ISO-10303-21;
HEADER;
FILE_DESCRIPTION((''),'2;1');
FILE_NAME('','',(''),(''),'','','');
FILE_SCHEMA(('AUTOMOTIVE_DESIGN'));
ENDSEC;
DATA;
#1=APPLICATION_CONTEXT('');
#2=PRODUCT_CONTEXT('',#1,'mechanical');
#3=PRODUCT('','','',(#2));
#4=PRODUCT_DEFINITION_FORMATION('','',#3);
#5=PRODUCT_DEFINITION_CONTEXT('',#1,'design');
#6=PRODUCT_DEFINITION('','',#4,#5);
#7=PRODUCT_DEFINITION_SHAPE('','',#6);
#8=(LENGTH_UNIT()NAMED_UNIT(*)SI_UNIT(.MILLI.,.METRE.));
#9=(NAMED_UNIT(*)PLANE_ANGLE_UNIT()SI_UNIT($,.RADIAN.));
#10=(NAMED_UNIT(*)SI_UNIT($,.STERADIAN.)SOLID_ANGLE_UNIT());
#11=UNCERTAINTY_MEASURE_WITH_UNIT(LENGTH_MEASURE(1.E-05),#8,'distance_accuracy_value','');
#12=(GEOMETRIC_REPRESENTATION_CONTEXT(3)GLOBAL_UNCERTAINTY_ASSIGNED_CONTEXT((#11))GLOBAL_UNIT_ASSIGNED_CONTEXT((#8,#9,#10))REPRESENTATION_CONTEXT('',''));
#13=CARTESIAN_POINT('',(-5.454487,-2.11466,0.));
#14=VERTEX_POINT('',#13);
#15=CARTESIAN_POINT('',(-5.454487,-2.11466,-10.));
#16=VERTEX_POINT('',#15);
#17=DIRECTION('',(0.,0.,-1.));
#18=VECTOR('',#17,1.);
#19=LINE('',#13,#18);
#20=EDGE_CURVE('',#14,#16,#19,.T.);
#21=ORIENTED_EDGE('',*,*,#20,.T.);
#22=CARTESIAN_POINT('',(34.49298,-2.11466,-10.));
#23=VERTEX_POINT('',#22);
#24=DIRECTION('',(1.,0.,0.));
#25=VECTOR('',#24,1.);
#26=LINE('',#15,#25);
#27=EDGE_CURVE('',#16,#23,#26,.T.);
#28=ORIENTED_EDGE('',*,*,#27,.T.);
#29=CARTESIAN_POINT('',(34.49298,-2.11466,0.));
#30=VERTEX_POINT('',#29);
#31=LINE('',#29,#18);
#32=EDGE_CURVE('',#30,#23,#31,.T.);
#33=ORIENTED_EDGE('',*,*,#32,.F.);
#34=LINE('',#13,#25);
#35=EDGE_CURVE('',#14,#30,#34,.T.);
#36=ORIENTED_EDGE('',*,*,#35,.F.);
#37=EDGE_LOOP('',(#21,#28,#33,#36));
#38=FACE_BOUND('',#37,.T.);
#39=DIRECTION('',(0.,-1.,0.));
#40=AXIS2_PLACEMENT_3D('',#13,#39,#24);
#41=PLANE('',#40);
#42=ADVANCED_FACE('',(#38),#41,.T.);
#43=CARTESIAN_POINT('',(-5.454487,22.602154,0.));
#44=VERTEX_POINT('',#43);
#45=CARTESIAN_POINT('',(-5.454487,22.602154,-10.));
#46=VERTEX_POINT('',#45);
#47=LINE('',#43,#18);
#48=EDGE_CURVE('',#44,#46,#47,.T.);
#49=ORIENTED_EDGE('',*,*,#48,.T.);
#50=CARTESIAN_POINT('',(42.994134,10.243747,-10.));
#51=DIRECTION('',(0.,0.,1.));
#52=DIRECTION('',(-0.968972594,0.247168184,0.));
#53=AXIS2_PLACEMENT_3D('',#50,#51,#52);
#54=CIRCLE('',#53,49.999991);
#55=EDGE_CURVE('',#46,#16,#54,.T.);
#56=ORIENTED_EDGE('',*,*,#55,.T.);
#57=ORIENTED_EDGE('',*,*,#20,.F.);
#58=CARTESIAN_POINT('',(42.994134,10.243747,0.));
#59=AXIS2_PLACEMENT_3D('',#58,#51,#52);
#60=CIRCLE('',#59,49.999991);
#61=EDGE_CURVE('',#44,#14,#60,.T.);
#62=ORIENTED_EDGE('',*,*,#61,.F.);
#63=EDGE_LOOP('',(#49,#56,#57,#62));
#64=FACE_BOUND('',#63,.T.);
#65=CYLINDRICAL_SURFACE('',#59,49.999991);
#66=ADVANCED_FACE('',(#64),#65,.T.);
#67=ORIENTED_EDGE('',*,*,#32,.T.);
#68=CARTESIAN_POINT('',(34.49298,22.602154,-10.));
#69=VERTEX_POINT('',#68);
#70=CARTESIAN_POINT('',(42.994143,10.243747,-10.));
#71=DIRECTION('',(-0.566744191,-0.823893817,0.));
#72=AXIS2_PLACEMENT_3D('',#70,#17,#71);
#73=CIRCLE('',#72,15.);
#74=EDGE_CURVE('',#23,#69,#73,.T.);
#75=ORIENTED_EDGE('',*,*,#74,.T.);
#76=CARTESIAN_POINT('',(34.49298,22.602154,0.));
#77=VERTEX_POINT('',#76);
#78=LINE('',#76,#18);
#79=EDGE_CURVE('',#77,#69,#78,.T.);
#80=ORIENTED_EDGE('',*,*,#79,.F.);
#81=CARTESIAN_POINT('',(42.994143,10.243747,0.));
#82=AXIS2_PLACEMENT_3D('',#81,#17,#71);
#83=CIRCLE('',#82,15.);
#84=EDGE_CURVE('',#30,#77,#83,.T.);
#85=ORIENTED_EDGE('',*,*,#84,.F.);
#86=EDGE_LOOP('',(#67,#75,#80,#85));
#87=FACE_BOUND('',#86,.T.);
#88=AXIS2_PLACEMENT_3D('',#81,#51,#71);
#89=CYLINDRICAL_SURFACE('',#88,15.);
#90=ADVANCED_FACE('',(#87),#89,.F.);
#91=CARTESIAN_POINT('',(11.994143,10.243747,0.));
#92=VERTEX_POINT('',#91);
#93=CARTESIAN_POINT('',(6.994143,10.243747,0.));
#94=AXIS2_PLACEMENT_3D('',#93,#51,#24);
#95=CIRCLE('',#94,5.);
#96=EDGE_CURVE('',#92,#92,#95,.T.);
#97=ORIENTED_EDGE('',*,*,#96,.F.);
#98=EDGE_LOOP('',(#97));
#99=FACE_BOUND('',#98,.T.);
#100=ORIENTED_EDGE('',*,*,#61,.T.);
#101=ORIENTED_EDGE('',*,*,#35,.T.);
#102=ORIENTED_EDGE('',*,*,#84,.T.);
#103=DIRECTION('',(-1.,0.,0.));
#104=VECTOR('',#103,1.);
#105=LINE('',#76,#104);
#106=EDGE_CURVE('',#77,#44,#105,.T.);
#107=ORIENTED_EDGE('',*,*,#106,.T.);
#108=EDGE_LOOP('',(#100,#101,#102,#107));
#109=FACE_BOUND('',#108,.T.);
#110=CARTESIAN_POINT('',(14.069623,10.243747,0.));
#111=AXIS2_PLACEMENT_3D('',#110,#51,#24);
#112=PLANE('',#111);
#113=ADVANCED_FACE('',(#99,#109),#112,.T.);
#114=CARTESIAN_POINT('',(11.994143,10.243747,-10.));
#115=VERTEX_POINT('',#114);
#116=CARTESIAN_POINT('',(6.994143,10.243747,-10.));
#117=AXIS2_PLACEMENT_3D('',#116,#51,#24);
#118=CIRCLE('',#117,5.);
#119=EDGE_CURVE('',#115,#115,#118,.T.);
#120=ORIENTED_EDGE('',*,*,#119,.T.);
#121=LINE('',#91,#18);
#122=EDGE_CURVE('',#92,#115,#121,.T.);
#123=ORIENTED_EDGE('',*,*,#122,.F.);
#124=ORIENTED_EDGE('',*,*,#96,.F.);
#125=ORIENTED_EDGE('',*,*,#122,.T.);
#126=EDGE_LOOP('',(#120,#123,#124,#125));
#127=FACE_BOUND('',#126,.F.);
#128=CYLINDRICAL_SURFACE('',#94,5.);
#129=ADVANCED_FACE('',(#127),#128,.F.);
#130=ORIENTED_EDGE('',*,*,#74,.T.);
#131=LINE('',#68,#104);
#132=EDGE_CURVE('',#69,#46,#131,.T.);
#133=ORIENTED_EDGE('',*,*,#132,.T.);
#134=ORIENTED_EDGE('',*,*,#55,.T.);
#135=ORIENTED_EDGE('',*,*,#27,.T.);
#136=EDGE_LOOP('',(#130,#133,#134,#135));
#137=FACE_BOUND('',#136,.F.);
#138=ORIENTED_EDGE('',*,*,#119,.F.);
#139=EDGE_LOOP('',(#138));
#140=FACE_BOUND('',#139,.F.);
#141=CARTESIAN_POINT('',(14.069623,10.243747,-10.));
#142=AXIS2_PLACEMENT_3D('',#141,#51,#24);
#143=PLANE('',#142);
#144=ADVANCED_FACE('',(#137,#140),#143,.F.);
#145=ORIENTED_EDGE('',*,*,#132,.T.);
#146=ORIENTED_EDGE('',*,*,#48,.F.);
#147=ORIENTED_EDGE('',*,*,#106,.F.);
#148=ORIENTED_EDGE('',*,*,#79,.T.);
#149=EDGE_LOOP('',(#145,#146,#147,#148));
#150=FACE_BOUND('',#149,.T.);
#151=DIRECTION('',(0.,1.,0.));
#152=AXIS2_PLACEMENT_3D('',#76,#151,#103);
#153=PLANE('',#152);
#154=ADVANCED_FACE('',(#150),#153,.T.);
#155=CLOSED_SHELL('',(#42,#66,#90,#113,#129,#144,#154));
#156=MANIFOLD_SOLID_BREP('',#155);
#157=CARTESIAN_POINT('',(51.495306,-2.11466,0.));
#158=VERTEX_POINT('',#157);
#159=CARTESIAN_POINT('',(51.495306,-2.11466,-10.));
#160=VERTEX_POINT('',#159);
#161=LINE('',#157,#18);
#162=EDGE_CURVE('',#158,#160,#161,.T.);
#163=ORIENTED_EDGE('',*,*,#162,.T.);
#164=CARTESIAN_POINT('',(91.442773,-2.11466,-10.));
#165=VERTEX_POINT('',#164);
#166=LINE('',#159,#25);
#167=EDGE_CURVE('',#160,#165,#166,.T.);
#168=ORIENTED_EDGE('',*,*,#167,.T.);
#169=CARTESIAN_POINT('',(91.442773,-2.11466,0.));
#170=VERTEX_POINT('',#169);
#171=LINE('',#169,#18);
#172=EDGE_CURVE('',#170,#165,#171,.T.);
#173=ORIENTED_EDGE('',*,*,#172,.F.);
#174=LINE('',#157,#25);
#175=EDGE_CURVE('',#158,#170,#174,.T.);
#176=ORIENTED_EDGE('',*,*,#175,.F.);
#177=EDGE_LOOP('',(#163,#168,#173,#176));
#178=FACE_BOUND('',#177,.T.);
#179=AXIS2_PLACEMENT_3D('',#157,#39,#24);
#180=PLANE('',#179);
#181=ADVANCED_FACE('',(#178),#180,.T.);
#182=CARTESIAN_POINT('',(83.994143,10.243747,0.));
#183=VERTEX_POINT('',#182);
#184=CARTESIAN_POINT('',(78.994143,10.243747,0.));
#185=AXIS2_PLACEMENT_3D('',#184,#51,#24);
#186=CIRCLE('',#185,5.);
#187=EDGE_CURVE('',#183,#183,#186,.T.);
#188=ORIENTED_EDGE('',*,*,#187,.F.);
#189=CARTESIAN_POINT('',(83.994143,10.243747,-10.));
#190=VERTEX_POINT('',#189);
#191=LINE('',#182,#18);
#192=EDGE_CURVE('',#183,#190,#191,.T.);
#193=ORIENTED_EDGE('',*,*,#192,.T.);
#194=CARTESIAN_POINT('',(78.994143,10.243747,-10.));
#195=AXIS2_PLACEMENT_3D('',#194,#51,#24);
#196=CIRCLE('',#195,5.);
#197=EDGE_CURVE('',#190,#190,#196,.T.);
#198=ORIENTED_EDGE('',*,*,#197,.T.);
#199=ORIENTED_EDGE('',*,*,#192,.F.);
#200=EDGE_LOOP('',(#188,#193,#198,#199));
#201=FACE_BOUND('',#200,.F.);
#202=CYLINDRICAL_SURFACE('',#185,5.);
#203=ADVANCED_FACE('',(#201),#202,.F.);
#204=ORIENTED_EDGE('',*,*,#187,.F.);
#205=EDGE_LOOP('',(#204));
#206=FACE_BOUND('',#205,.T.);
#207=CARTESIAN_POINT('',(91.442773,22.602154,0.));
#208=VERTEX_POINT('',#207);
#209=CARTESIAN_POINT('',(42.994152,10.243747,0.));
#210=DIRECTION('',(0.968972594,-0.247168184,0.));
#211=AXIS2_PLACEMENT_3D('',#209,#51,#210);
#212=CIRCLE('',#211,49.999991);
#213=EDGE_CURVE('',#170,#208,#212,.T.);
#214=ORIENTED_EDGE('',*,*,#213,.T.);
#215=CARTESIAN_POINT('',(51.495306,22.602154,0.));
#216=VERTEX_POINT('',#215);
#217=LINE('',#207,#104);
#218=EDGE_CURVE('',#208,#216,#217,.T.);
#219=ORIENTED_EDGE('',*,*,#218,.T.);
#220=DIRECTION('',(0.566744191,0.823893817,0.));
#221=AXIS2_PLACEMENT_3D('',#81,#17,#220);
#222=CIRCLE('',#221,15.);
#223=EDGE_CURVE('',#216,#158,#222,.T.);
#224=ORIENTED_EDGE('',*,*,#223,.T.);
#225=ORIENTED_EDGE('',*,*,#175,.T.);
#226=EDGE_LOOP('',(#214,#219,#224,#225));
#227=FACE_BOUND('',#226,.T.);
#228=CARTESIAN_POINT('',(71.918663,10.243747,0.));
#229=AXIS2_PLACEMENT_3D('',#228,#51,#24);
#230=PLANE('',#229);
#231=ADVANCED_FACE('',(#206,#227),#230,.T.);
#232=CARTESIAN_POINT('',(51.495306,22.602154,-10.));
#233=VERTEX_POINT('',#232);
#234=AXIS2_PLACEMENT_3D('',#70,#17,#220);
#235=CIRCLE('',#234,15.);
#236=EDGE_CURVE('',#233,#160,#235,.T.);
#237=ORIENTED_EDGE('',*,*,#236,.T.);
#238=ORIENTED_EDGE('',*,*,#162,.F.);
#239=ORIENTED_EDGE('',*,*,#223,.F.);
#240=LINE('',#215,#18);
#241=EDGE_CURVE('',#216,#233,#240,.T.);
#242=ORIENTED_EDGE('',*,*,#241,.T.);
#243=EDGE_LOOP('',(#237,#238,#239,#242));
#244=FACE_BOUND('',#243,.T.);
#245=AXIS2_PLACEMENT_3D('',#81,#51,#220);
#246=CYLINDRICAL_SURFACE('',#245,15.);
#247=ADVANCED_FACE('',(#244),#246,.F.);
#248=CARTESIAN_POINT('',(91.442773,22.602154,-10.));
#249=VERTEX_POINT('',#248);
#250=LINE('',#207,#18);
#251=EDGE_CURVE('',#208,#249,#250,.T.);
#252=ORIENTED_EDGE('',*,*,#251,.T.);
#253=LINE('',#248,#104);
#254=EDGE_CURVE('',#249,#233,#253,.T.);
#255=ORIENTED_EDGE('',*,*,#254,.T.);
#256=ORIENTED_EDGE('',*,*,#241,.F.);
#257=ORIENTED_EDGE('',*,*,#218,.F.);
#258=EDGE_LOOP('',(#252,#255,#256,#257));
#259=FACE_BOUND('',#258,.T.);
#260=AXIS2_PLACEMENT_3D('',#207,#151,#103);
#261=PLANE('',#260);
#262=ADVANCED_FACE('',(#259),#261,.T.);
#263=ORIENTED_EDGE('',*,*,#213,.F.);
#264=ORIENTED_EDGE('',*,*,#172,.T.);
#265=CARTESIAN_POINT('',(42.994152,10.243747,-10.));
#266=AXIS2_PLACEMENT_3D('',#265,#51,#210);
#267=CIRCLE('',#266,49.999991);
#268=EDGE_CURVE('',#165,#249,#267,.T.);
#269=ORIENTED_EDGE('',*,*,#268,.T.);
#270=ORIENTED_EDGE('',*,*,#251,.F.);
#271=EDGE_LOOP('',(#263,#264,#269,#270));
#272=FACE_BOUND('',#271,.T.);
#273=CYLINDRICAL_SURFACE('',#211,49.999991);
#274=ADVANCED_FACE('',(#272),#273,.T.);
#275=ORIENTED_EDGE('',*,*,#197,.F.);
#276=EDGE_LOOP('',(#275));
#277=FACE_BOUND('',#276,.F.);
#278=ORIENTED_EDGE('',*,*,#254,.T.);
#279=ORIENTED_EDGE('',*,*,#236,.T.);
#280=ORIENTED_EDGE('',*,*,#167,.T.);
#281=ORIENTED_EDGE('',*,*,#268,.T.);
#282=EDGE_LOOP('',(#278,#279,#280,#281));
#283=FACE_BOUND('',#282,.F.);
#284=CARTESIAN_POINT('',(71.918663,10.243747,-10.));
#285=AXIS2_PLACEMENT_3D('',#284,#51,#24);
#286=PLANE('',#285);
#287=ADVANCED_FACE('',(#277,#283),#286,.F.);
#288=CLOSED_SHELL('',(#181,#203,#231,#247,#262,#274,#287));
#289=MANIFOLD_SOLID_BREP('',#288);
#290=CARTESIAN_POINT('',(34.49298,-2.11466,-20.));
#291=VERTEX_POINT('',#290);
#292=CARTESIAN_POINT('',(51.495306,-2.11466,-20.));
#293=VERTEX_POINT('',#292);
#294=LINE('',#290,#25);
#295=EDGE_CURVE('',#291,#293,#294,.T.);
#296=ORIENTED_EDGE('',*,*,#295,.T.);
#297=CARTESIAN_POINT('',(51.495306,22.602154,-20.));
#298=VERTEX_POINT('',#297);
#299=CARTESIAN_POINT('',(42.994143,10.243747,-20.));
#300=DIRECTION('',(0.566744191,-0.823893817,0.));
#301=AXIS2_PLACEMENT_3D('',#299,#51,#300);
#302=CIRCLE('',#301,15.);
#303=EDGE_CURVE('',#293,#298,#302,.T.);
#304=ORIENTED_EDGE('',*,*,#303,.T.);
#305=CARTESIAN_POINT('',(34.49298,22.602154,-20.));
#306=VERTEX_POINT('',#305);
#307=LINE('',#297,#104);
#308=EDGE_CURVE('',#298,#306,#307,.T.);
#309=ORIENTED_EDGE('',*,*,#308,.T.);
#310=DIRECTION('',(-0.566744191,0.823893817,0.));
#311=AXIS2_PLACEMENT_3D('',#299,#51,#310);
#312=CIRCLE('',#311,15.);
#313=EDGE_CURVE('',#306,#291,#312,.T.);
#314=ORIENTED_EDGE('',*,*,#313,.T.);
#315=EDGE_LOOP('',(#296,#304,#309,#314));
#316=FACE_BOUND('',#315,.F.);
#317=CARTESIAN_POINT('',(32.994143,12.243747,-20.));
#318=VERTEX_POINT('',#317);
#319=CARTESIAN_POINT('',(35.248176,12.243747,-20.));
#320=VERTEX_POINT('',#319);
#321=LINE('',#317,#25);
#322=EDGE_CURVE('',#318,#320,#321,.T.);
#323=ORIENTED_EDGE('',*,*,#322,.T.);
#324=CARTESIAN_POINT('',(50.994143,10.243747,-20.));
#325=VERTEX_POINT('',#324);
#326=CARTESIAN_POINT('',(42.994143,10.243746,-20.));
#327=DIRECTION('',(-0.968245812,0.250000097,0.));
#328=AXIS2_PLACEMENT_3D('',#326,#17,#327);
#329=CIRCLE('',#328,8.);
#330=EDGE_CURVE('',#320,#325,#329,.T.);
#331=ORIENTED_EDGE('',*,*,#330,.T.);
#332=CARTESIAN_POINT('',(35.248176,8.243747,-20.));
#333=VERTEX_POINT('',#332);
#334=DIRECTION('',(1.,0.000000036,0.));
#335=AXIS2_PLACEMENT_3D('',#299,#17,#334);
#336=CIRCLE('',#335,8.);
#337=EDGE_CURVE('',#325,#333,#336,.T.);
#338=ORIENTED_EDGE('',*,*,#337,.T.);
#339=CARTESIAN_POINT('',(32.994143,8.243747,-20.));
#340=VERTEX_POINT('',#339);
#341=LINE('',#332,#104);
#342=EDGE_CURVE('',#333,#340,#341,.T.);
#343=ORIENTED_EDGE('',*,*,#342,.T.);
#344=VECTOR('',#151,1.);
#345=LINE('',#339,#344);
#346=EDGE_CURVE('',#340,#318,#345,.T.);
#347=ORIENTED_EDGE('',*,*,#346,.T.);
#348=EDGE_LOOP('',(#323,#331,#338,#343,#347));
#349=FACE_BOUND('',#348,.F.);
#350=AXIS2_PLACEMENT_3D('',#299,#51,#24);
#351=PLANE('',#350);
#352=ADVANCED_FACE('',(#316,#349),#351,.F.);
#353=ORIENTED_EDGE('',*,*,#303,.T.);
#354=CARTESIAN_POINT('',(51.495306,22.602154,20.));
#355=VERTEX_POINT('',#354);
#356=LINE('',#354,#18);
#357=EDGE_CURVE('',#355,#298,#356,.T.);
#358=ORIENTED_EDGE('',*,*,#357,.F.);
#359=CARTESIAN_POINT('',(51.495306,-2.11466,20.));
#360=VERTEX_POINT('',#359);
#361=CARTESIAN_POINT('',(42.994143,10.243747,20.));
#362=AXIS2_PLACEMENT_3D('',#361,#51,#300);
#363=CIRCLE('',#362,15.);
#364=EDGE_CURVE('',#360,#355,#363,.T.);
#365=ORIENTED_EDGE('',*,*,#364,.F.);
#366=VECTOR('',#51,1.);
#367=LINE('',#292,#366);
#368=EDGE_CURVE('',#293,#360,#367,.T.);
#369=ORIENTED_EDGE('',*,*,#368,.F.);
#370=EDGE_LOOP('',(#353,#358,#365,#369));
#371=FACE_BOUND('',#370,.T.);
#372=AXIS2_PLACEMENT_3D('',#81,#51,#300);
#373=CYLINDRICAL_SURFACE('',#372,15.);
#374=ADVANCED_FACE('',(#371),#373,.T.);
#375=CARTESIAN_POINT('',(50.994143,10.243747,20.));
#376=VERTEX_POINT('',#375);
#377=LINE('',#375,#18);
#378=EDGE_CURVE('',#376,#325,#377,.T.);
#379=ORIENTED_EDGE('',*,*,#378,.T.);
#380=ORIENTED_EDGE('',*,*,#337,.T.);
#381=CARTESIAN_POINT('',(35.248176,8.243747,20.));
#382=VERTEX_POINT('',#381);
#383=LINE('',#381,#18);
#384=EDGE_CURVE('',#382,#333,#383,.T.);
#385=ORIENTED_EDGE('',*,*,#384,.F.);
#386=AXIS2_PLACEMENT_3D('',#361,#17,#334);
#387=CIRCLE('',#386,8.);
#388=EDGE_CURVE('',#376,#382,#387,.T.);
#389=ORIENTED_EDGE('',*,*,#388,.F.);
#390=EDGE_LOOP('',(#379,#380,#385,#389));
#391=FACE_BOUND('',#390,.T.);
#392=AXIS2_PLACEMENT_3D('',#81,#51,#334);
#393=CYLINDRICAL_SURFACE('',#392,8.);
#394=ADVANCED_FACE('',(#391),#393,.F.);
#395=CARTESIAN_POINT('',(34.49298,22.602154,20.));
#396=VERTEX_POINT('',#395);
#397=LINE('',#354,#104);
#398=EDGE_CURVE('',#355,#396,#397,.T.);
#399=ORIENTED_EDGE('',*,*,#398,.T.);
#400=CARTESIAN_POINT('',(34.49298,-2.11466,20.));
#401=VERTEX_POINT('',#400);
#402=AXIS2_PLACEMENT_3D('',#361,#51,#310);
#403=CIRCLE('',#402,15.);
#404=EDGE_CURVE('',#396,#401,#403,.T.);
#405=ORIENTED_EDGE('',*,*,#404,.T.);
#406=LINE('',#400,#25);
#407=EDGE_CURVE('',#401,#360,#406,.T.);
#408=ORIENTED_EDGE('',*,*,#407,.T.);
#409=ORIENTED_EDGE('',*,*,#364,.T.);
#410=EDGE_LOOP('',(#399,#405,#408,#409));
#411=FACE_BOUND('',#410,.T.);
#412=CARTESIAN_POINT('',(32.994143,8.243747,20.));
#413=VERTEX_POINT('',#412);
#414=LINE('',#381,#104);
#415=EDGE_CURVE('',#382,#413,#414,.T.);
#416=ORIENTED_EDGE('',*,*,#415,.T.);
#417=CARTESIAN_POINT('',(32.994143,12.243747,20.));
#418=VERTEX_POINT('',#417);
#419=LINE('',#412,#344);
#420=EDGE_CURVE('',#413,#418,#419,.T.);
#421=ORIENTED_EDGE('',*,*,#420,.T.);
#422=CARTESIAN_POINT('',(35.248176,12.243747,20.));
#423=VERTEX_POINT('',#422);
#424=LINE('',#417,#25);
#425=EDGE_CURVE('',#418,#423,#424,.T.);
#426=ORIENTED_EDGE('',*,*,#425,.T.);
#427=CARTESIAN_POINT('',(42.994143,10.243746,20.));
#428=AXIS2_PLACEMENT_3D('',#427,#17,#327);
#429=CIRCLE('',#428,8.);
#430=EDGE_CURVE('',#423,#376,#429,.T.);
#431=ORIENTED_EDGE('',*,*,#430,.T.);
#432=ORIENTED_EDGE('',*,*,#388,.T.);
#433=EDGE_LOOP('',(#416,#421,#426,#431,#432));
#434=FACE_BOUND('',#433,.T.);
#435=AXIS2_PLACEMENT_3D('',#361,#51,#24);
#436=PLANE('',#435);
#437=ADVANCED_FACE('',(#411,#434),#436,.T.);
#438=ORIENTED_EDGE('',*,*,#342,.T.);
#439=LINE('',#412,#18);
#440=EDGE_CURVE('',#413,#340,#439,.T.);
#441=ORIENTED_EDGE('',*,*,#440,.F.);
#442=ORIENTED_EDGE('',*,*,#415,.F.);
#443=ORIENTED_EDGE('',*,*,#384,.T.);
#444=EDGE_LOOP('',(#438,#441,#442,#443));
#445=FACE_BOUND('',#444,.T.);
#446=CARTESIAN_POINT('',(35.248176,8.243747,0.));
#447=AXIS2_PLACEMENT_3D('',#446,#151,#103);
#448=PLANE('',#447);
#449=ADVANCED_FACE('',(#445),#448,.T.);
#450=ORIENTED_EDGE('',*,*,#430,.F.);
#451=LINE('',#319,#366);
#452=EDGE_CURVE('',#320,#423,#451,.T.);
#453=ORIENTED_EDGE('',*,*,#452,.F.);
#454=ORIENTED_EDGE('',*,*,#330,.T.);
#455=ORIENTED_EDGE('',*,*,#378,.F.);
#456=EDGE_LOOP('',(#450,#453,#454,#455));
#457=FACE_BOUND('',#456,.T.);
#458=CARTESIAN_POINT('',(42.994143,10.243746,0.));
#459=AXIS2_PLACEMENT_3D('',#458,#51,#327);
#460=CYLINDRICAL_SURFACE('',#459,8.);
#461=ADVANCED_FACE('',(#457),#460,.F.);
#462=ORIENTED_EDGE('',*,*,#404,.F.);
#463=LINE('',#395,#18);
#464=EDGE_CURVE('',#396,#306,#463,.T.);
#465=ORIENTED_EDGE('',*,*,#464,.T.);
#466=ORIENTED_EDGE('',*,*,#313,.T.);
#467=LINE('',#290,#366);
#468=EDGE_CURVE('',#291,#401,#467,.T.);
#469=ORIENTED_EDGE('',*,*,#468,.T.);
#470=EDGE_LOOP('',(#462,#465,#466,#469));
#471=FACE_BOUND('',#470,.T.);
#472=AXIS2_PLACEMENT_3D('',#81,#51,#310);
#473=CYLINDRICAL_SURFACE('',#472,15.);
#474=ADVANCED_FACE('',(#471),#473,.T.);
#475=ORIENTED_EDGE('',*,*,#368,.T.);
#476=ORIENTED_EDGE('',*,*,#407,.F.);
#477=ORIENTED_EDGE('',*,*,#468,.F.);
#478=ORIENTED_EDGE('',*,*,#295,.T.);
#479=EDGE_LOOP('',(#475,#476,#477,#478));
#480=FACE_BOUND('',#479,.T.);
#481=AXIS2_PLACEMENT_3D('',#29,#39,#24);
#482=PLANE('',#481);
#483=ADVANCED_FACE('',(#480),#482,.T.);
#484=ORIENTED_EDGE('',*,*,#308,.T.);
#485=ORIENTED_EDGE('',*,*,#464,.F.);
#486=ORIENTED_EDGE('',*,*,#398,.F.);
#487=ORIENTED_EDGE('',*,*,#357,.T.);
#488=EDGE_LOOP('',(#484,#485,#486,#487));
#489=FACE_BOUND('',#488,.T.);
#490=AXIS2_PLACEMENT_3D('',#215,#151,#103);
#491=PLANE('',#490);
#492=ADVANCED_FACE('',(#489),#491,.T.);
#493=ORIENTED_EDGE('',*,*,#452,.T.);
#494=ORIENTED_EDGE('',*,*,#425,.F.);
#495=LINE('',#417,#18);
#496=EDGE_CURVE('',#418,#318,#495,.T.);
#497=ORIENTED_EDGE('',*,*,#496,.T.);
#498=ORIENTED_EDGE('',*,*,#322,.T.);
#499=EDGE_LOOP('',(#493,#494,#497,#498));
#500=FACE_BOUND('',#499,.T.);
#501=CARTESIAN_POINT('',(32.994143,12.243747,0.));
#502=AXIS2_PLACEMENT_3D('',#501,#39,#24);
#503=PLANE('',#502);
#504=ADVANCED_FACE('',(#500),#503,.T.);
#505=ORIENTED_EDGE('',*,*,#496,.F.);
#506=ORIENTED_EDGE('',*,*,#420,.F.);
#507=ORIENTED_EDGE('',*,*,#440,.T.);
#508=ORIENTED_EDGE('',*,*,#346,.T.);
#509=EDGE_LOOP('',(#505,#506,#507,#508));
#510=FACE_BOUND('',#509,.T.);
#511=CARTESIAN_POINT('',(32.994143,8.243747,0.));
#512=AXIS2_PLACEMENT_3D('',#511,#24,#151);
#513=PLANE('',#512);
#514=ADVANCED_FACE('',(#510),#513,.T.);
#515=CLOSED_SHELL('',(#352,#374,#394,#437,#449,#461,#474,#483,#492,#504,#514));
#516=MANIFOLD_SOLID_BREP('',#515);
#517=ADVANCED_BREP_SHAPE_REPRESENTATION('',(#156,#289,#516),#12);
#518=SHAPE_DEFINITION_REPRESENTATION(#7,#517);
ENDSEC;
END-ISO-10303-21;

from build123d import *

# Parameters (mm, degrees)
F0_R     = 5
F1_DEPTH = 10
F2_DEPTH = 20


with BuildPart() as f1:
    # F0 (on Top) → F1 (new body)
    with BuildSketch(Plane.XY):
        with BuildLine():
            ThreePointArc((51.495306, 22.602154), (57.994143, 10.243747), (51.495306, -2.11466))
            Line((51.495306, -2.11466), (91.442773, -2.11466))
            ThreePointArc((91.442773, -2.11466), (92.994143, 10.243747), (91.442773, 22.602154))
            Line((91.442773, 22.602154), (51.495306, 22.602154))
        make_face()
        with Locations((78.994143, 10.243747)):
            Circle(F0_R, mode=Mode.SUBTRACT)
        with BuildLine():
            ThreePointArc((-5.454487, 22.602154), (-7.005857, 10.243747), (-5.454487, -2.11466))
            Line((-5.454487, -2.11466), (34.49298, -2.11466))
            ThreePointArc((34.49298, -2.11466), (27.994143, 10.243747), (34.49298, 22.602154))
            Line((34.49298, 22.602154), (-5.454487, 22.602154))
        make_face()
        with Locations((6.994143, 10.243747)):
            Circle(F0_R, mode=Mode.SUBTRACT)
    extrude(amount=-F1_DEPTH)


with BuildPart() as f2:
    # F0 (on Top) → F2 (new body, symmetric)
    with BuildSketch(Plane.XY):
        with BuildLine():
            ThreePointArc((34.49298, 22.602154), (27.994143, 10.243747), (34.49298, -2.11466))
            Line((34.49298, -2.11466), (51.495306, -2.11466))
            ThreePointArc((51.495306, -2.11466), (57.994143, 10.243747), (51.495306, 22.602154))
            Line((51.495306, 22.602154), (34.49298, 22.602154))
        make_face()
        with BuildLine():
            ThreePointArc((35.248176, 12.243747), (44.002177, 18.179984), (50.994143, 10.243747))
            ThreePointArc((50.994143, 10.243747), (44.002177, 2.307509), (35.248176, 8.243747))
            Line((35.248176, 8.243747), (32.994143, 8.243747))
            Line((32.994143, 8.243747), (32.994143, 12.243747))
            Line((32.994143, 12.243747), (35.248176, 12.243747))
        make_face(mode=Mode.SUBTRACT)
    extrude(amount=F2_DEPTH, both=True)


solid = Compound([f1.part, f2.part])
